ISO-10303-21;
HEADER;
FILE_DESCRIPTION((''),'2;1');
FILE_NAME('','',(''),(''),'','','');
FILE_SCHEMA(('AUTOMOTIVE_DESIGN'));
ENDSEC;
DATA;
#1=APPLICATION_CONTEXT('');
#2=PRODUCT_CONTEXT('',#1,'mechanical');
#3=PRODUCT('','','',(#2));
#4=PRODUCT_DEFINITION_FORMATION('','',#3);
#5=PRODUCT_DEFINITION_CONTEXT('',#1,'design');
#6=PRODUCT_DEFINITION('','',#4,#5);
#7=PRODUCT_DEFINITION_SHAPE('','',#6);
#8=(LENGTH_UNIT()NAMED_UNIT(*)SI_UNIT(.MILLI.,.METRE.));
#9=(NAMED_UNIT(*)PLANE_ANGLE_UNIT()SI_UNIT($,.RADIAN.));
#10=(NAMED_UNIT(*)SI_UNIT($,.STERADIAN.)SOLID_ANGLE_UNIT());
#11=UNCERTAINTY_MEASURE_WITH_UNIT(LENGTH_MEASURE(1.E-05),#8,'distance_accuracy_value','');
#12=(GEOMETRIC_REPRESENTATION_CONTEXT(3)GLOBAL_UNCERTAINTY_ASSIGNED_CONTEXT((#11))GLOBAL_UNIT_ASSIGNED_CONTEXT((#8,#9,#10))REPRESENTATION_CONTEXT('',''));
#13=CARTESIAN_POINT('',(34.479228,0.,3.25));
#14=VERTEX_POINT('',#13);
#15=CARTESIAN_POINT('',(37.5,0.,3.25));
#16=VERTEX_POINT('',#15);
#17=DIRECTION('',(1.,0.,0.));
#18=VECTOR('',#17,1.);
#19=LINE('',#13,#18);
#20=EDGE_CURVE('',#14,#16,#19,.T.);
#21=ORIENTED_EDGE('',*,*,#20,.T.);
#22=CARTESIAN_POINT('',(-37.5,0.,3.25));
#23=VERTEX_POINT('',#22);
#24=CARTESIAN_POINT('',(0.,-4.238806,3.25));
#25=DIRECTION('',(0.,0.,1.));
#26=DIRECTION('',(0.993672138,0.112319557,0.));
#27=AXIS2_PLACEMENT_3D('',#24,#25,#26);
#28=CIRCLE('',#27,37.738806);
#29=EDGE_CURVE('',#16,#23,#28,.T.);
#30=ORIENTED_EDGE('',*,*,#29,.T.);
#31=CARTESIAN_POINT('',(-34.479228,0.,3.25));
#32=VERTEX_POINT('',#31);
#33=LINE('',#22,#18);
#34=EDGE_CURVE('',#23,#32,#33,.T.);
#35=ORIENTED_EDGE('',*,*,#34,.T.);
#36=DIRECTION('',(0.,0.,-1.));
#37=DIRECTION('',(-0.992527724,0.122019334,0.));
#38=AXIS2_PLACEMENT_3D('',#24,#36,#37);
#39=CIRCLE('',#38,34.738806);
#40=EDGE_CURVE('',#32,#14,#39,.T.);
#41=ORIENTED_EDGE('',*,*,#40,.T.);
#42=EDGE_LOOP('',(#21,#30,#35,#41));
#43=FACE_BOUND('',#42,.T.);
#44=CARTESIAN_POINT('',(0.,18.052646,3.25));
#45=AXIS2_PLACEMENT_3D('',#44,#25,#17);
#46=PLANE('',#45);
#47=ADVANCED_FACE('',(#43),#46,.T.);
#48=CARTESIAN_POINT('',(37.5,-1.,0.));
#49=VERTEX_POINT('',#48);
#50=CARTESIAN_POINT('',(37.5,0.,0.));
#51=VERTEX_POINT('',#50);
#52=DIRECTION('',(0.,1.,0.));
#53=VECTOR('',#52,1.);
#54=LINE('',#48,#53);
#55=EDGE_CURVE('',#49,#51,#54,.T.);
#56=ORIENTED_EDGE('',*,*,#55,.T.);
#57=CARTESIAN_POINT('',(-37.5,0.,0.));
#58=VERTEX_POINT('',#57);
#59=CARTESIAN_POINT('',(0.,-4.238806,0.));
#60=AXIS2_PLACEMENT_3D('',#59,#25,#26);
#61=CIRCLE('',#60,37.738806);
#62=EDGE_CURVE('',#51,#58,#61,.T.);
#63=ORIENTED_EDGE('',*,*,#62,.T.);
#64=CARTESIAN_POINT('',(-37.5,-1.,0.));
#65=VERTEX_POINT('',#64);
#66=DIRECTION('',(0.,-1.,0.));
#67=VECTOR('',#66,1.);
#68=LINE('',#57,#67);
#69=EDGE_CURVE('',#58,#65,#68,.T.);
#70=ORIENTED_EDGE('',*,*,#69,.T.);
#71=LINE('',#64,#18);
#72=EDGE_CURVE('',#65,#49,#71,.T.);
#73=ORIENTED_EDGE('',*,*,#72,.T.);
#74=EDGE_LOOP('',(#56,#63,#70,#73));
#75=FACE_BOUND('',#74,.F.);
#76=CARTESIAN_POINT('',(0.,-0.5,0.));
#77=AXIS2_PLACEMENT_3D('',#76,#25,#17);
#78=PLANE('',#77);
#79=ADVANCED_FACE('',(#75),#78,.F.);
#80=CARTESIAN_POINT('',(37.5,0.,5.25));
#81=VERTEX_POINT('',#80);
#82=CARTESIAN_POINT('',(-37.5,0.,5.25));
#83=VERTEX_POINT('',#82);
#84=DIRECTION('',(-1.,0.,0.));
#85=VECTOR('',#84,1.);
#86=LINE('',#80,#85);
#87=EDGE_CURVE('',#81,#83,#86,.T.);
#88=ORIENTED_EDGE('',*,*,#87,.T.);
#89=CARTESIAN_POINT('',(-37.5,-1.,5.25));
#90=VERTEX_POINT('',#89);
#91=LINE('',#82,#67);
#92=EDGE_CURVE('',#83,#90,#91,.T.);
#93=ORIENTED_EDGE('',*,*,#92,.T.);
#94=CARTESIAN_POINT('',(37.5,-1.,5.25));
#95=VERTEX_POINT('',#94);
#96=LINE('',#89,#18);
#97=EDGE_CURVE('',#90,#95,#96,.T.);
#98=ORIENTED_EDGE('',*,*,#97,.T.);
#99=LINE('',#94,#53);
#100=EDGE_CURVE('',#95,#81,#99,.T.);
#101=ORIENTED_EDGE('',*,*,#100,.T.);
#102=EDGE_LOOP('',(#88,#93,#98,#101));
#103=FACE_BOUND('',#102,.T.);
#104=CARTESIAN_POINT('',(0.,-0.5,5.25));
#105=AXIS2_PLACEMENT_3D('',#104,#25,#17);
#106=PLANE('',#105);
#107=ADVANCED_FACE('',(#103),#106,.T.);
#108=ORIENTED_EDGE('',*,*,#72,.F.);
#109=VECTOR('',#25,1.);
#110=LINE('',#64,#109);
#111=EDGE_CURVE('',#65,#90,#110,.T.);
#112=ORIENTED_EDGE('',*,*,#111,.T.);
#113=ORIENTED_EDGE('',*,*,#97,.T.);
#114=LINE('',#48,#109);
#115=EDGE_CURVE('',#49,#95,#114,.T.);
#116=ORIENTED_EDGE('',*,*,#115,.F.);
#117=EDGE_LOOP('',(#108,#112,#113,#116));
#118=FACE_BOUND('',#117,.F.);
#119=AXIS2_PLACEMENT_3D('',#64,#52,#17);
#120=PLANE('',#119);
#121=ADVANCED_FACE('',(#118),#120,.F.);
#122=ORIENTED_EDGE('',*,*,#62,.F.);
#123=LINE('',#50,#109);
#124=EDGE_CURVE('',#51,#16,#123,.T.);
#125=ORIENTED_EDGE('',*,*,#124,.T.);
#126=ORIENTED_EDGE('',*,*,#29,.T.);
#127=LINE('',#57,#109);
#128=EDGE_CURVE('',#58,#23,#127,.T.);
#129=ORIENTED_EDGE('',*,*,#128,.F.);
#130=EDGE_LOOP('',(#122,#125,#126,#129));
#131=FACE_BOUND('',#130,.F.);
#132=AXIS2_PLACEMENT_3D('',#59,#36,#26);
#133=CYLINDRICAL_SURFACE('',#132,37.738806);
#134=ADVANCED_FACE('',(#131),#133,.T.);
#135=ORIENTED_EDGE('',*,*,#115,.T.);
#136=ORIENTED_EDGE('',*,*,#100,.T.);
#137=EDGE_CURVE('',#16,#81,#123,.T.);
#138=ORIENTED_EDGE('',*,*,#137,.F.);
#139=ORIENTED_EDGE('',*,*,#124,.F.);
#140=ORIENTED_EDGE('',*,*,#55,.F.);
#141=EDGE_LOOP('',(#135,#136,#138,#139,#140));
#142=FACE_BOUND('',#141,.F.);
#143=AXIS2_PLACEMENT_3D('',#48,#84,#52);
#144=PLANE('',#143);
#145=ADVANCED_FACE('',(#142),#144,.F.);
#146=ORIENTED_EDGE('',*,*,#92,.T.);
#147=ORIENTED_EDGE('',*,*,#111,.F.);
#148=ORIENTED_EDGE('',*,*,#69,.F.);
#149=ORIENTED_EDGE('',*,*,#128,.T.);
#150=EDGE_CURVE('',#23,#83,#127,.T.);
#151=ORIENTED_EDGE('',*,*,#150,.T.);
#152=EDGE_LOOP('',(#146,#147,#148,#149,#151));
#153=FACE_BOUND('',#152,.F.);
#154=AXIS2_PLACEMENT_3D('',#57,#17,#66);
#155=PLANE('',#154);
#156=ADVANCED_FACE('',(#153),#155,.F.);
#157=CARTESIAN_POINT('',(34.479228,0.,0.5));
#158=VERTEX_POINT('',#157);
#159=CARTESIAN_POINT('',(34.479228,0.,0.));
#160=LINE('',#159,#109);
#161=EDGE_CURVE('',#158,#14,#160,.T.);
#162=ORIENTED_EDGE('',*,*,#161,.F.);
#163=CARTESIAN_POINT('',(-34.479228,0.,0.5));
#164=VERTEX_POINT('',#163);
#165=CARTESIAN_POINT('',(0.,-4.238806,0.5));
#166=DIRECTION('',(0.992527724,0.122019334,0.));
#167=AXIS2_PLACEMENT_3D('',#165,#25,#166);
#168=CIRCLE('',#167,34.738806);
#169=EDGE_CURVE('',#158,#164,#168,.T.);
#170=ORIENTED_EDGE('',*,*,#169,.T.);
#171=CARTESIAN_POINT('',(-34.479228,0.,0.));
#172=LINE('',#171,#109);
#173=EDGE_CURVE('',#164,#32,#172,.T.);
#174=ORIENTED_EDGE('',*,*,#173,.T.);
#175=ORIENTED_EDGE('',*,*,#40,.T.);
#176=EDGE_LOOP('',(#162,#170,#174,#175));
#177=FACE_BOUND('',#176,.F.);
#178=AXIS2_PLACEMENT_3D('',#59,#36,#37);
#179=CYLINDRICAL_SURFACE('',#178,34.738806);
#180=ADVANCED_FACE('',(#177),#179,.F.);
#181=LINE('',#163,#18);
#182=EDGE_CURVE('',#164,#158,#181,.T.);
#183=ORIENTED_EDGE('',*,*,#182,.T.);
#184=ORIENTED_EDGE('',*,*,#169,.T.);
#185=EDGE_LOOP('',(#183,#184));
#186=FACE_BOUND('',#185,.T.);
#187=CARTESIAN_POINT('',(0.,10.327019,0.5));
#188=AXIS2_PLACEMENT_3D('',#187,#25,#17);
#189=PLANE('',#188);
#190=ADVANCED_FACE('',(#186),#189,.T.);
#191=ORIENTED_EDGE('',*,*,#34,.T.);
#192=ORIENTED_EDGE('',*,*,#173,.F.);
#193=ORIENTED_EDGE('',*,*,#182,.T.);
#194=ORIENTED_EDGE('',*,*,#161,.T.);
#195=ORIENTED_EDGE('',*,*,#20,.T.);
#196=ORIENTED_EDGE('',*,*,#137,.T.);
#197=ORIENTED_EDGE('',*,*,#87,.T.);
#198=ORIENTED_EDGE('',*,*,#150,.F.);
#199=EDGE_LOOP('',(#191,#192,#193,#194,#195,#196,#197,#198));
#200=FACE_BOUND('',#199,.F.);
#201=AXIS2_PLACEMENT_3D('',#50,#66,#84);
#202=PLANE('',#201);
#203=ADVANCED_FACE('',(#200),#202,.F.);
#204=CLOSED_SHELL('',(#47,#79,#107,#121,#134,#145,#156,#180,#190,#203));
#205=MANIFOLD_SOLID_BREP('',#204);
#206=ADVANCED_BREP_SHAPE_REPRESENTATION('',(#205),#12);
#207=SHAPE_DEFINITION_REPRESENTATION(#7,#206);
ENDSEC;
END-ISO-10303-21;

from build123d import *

# Parameters (mm, degrees)
F1_DEPTH = 3.25
F2_DEPTH = 0.5
F3_DEPTH = 5.25


with BuildPart() as f1:
    # F0 (on Top) → F1 (new body)
    with BuildSketch(Plane.XY):
        with BuildLine():
            ThreePointArc((-34.479228, 0), (0, 30.5), (34.479228, 0))
            Line((34.479228, 0), (37.5, 0))
            ThreePointArc((37.5, 0), (0, 33.5), (-37.5, 0))
            Line((-37.5, 0), (-34.479228, 0))
        make_face()
    extrude(amount=F1_DEPTH)

    # F0 (on Top) → F2 (join)
    with BuildSketch(Plane.XY):
        with BuildLine():
            Line((-34.479228, 0), (0, 0))
            Line((0, 0), (34.479228, 0))
            ThreePointArc((34.479228, 0), (0, 30.5), (-34.479228, 0))
        make_face()
    extrude(amount=F2_DEPTH)

    # F0 (on Top) → F3 (join)
    with BuildSketch(Plane.XY):
        Polygon((34.479228, 0), (0, 0), (-34.479228, 0), (-37.5, 0), (-37.5, -1), (37.5, -1), (37.5, 0), align=None)
    extrude(amount=F3_DEPTH)


solid = f1.part
